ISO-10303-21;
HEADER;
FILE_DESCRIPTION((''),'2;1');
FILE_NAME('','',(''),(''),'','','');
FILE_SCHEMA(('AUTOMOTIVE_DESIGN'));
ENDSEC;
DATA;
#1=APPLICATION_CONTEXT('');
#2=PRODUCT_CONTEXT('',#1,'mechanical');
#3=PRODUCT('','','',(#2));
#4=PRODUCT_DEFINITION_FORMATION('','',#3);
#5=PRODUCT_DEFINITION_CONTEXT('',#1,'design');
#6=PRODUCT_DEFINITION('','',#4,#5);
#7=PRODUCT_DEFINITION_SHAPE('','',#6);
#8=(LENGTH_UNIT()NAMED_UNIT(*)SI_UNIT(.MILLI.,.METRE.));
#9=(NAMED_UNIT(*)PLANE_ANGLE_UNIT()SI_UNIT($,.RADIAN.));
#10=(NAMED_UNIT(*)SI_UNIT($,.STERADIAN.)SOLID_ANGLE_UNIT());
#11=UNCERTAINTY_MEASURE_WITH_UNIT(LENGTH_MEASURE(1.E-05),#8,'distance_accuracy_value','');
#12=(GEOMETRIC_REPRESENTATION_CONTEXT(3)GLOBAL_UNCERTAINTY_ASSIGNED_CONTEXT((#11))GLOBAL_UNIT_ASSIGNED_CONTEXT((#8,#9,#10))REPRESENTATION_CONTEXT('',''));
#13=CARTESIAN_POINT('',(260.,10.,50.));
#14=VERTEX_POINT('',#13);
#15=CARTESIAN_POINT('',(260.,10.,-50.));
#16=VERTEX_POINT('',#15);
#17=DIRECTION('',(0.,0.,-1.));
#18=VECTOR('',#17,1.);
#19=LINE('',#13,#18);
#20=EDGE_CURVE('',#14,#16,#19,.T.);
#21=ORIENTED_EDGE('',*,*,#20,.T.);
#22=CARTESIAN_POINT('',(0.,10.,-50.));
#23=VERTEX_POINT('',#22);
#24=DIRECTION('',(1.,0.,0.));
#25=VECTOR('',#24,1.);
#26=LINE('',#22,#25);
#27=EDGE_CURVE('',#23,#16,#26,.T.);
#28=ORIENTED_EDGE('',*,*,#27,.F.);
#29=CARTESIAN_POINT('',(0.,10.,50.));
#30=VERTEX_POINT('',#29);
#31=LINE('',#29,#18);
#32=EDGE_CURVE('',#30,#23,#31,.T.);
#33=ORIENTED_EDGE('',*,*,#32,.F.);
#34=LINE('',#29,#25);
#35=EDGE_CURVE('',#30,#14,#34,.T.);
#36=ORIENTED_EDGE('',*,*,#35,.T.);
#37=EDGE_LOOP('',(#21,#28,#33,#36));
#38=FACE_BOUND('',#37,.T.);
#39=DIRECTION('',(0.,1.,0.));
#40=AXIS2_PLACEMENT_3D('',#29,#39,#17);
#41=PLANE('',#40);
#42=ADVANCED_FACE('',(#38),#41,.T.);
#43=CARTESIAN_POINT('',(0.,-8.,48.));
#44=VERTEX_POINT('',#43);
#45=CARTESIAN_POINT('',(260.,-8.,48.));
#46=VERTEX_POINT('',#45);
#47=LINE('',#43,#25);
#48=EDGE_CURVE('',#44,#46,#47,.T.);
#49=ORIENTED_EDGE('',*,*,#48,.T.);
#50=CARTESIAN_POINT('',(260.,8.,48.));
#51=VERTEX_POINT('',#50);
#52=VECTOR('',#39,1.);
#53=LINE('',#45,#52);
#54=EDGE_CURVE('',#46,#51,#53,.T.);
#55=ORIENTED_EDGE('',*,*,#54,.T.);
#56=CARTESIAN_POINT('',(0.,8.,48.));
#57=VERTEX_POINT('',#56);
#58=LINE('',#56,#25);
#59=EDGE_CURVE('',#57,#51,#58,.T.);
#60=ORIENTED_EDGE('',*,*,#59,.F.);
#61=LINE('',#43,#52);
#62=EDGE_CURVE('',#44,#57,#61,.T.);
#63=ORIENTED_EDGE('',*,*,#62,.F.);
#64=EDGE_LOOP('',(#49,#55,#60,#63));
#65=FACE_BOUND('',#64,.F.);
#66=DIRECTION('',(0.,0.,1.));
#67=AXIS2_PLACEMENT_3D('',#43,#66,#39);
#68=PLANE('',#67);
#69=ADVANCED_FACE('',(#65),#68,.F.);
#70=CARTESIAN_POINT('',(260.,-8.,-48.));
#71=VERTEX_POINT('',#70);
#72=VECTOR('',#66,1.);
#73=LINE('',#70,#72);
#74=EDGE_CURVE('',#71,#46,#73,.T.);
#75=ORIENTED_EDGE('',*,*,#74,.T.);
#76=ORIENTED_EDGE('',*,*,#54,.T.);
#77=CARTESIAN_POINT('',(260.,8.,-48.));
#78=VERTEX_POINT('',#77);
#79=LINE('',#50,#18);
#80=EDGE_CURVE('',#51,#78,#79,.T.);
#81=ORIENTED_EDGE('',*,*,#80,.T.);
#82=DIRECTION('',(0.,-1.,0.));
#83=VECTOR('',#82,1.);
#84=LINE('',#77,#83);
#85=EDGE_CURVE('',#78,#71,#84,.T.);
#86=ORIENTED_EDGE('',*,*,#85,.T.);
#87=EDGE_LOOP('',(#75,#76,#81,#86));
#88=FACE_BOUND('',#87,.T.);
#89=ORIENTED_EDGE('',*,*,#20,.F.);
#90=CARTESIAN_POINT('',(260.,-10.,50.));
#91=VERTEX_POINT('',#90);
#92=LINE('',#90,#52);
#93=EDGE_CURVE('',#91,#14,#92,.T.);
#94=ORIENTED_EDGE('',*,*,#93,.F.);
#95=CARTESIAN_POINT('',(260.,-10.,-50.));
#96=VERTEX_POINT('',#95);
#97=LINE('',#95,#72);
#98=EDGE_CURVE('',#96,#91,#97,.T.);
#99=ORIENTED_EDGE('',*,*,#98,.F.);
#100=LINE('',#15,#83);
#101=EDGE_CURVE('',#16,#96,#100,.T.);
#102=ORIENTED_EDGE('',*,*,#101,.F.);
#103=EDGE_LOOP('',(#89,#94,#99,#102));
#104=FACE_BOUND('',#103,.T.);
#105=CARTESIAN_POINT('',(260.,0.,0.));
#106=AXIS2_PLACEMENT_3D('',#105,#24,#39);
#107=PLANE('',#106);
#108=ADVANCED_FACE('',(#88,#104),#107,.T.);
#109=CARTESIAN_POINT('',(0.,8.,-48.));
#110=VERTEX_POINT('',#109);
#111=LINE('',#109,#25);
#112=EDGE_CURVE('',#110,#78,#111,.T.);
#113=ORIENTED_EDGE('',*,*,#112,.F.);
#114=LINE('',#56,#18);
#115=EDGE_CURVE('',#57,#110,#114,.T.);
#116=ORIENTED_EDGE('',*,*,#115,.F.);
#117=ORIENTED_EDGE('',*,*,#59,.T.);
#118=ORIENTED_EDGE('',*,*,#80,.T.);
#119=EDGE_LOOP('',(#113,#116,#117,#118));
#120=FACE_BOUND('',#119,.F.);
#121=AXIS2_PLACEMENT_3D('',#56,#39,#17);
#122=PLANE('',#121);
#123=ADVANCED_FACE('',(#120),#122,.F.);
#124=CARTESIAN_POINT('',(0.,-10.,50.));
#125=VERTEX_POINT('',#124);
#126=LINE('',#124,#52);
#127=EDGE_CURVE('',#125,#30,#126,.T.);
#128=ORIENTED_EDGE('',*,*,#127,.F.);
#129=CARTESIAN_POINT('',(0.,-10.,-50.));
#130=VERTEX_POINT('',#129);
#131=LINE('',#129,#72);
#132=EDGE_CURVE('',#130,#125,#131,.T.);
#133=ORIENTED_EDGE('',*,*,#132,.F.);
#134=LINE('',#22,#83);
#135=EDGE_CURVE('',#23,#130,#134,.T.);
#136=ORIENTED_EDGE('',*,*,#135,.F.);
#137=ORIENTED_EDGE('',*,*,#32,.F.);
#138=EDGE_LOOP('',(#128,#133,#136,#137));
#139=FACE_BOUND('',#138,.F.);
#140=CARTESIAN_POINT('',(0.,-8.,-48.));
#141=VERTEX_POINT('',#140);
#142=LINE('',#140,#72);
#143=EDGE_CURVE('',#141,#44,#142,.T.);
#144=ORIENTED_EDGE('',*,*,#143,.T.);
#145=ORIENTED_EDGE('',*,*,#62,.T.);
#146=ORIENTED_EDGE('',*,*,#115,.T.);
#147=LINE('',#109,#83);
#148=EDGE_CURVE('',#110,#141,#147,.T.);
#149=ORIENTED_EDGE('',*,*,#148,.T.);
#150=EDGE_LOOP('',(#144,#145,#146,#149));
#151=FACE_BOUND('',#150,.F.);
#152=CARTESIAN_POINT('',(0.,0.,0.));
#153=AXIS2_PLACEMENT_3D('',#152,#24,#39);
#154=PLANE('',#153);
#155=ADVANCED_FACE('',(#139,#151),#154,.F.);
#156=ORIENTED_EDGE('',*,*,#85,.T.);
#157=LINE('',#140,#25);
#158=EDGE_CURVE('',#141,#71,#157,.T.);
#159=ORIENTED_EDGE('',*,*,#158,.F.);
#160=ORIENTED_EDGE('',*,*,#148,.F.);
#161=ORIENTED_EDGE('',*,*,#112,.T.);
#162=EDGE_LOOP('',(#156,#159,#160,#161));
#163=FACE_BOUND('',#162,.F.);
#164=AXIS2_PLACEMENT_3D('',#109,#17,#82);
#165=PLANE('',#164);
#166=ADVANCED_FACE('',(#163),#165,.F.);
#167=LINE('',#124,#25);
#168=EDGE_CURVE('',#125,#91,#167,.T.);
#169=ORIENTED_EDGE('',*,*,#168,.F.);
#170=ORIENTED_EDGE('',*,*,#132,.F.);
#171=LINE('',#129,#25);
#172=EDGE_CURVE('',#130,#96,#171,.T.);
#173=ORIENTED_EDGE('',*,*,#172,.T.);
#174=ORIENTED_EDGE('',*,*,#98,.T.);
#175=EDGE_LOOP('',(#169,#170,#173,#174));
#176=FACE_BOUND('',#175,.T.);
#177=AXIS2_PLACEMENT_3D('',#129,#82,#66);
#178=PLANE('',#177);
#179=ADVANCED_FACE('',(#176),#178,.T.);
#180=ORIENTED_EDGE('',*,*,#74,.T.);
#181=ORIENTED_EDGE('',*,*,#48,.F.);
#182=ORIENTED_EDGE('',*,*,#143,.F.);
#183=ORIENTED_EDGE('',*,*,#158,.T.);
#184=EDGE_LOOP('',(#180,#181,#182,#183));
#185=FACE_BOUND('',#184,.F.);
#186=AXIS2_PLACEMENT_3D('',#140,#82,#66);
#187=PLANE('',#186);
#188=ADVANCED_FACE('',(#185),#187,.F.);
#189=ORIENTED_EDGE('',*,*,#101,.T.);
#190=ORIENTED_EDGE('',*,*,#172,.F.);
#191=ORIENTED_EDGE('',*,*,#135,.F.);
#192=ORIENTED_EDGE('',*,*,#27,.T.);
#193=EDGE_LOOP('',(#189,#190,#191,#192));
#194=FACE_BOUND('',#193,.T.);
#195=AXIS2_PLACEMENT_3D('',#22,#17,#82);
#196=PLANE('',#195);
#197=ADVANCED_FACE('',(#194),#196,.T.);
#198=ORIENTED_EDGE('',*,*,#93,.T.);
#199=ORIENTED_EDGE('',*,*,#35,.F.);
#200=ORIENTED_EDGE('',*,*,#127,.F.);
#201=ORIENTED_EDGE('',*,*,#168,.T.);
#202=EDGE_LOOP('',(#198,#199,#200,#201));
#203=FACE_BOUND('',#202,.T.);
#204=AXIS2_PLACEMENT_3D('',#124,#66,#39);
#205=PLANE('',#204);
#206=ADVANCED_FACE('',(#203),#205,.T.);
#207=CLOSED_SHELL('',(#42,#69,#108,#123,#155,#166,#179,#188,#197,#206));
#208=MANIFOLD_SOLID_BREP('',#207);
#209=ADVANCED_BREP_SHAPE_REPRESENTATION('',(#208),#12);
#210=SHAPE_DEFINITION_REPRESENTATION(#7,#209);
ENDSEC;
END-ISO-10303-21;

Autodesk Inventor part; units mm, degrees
ref_plane "YZ Plane" through (0, 0, 0) normal (1, 0, 0) x (0, 1, 0)
ref_plane "XZ Plane" through (0, 0, 0) normal (0, 1, 0) x (-1, 0, 0)
ref_plane "XY Plane" through (0, 0, 0) normal (0, 0, 1) x (1, 0, 0)
sketch "Sketch1" plane through (0, 0, 0) normal (1, 0, 0) x (0, 1, 0)
  line L0 (-10, 50) -> (10, 50)
  line L1 (10, 50) -> (10, -50)
  line L2 (10, -50) -> (-10, -50)
  line L3 (-10, -50) -> (-10, 50)
  line L4 (-10, 50) -> (10, -50) construction
  line L5 (10, 50) -> (-10, -50) construction
  line L6 (-8, 48) -> (8, 48)
  line L7 (8, 48) -> (8, -48)
  line L8 (8, -48) -> (-8, -48)
  line L9 (-8, -48) -> (-8, 48)
  line L10 (-8, 48) -> (8, -48) construction
  line L11 (8, 48) -> (-8, -48) construction
  point P0 (0, 0)
  dimension "d0" = 20
  dimension "d1" = 100
  dimension "d2" = 16
  dimension "d3" = 96
extrude "Extrusion1" add sketch "Sketch1" along normal blind 260
properties part number "Mid support"
